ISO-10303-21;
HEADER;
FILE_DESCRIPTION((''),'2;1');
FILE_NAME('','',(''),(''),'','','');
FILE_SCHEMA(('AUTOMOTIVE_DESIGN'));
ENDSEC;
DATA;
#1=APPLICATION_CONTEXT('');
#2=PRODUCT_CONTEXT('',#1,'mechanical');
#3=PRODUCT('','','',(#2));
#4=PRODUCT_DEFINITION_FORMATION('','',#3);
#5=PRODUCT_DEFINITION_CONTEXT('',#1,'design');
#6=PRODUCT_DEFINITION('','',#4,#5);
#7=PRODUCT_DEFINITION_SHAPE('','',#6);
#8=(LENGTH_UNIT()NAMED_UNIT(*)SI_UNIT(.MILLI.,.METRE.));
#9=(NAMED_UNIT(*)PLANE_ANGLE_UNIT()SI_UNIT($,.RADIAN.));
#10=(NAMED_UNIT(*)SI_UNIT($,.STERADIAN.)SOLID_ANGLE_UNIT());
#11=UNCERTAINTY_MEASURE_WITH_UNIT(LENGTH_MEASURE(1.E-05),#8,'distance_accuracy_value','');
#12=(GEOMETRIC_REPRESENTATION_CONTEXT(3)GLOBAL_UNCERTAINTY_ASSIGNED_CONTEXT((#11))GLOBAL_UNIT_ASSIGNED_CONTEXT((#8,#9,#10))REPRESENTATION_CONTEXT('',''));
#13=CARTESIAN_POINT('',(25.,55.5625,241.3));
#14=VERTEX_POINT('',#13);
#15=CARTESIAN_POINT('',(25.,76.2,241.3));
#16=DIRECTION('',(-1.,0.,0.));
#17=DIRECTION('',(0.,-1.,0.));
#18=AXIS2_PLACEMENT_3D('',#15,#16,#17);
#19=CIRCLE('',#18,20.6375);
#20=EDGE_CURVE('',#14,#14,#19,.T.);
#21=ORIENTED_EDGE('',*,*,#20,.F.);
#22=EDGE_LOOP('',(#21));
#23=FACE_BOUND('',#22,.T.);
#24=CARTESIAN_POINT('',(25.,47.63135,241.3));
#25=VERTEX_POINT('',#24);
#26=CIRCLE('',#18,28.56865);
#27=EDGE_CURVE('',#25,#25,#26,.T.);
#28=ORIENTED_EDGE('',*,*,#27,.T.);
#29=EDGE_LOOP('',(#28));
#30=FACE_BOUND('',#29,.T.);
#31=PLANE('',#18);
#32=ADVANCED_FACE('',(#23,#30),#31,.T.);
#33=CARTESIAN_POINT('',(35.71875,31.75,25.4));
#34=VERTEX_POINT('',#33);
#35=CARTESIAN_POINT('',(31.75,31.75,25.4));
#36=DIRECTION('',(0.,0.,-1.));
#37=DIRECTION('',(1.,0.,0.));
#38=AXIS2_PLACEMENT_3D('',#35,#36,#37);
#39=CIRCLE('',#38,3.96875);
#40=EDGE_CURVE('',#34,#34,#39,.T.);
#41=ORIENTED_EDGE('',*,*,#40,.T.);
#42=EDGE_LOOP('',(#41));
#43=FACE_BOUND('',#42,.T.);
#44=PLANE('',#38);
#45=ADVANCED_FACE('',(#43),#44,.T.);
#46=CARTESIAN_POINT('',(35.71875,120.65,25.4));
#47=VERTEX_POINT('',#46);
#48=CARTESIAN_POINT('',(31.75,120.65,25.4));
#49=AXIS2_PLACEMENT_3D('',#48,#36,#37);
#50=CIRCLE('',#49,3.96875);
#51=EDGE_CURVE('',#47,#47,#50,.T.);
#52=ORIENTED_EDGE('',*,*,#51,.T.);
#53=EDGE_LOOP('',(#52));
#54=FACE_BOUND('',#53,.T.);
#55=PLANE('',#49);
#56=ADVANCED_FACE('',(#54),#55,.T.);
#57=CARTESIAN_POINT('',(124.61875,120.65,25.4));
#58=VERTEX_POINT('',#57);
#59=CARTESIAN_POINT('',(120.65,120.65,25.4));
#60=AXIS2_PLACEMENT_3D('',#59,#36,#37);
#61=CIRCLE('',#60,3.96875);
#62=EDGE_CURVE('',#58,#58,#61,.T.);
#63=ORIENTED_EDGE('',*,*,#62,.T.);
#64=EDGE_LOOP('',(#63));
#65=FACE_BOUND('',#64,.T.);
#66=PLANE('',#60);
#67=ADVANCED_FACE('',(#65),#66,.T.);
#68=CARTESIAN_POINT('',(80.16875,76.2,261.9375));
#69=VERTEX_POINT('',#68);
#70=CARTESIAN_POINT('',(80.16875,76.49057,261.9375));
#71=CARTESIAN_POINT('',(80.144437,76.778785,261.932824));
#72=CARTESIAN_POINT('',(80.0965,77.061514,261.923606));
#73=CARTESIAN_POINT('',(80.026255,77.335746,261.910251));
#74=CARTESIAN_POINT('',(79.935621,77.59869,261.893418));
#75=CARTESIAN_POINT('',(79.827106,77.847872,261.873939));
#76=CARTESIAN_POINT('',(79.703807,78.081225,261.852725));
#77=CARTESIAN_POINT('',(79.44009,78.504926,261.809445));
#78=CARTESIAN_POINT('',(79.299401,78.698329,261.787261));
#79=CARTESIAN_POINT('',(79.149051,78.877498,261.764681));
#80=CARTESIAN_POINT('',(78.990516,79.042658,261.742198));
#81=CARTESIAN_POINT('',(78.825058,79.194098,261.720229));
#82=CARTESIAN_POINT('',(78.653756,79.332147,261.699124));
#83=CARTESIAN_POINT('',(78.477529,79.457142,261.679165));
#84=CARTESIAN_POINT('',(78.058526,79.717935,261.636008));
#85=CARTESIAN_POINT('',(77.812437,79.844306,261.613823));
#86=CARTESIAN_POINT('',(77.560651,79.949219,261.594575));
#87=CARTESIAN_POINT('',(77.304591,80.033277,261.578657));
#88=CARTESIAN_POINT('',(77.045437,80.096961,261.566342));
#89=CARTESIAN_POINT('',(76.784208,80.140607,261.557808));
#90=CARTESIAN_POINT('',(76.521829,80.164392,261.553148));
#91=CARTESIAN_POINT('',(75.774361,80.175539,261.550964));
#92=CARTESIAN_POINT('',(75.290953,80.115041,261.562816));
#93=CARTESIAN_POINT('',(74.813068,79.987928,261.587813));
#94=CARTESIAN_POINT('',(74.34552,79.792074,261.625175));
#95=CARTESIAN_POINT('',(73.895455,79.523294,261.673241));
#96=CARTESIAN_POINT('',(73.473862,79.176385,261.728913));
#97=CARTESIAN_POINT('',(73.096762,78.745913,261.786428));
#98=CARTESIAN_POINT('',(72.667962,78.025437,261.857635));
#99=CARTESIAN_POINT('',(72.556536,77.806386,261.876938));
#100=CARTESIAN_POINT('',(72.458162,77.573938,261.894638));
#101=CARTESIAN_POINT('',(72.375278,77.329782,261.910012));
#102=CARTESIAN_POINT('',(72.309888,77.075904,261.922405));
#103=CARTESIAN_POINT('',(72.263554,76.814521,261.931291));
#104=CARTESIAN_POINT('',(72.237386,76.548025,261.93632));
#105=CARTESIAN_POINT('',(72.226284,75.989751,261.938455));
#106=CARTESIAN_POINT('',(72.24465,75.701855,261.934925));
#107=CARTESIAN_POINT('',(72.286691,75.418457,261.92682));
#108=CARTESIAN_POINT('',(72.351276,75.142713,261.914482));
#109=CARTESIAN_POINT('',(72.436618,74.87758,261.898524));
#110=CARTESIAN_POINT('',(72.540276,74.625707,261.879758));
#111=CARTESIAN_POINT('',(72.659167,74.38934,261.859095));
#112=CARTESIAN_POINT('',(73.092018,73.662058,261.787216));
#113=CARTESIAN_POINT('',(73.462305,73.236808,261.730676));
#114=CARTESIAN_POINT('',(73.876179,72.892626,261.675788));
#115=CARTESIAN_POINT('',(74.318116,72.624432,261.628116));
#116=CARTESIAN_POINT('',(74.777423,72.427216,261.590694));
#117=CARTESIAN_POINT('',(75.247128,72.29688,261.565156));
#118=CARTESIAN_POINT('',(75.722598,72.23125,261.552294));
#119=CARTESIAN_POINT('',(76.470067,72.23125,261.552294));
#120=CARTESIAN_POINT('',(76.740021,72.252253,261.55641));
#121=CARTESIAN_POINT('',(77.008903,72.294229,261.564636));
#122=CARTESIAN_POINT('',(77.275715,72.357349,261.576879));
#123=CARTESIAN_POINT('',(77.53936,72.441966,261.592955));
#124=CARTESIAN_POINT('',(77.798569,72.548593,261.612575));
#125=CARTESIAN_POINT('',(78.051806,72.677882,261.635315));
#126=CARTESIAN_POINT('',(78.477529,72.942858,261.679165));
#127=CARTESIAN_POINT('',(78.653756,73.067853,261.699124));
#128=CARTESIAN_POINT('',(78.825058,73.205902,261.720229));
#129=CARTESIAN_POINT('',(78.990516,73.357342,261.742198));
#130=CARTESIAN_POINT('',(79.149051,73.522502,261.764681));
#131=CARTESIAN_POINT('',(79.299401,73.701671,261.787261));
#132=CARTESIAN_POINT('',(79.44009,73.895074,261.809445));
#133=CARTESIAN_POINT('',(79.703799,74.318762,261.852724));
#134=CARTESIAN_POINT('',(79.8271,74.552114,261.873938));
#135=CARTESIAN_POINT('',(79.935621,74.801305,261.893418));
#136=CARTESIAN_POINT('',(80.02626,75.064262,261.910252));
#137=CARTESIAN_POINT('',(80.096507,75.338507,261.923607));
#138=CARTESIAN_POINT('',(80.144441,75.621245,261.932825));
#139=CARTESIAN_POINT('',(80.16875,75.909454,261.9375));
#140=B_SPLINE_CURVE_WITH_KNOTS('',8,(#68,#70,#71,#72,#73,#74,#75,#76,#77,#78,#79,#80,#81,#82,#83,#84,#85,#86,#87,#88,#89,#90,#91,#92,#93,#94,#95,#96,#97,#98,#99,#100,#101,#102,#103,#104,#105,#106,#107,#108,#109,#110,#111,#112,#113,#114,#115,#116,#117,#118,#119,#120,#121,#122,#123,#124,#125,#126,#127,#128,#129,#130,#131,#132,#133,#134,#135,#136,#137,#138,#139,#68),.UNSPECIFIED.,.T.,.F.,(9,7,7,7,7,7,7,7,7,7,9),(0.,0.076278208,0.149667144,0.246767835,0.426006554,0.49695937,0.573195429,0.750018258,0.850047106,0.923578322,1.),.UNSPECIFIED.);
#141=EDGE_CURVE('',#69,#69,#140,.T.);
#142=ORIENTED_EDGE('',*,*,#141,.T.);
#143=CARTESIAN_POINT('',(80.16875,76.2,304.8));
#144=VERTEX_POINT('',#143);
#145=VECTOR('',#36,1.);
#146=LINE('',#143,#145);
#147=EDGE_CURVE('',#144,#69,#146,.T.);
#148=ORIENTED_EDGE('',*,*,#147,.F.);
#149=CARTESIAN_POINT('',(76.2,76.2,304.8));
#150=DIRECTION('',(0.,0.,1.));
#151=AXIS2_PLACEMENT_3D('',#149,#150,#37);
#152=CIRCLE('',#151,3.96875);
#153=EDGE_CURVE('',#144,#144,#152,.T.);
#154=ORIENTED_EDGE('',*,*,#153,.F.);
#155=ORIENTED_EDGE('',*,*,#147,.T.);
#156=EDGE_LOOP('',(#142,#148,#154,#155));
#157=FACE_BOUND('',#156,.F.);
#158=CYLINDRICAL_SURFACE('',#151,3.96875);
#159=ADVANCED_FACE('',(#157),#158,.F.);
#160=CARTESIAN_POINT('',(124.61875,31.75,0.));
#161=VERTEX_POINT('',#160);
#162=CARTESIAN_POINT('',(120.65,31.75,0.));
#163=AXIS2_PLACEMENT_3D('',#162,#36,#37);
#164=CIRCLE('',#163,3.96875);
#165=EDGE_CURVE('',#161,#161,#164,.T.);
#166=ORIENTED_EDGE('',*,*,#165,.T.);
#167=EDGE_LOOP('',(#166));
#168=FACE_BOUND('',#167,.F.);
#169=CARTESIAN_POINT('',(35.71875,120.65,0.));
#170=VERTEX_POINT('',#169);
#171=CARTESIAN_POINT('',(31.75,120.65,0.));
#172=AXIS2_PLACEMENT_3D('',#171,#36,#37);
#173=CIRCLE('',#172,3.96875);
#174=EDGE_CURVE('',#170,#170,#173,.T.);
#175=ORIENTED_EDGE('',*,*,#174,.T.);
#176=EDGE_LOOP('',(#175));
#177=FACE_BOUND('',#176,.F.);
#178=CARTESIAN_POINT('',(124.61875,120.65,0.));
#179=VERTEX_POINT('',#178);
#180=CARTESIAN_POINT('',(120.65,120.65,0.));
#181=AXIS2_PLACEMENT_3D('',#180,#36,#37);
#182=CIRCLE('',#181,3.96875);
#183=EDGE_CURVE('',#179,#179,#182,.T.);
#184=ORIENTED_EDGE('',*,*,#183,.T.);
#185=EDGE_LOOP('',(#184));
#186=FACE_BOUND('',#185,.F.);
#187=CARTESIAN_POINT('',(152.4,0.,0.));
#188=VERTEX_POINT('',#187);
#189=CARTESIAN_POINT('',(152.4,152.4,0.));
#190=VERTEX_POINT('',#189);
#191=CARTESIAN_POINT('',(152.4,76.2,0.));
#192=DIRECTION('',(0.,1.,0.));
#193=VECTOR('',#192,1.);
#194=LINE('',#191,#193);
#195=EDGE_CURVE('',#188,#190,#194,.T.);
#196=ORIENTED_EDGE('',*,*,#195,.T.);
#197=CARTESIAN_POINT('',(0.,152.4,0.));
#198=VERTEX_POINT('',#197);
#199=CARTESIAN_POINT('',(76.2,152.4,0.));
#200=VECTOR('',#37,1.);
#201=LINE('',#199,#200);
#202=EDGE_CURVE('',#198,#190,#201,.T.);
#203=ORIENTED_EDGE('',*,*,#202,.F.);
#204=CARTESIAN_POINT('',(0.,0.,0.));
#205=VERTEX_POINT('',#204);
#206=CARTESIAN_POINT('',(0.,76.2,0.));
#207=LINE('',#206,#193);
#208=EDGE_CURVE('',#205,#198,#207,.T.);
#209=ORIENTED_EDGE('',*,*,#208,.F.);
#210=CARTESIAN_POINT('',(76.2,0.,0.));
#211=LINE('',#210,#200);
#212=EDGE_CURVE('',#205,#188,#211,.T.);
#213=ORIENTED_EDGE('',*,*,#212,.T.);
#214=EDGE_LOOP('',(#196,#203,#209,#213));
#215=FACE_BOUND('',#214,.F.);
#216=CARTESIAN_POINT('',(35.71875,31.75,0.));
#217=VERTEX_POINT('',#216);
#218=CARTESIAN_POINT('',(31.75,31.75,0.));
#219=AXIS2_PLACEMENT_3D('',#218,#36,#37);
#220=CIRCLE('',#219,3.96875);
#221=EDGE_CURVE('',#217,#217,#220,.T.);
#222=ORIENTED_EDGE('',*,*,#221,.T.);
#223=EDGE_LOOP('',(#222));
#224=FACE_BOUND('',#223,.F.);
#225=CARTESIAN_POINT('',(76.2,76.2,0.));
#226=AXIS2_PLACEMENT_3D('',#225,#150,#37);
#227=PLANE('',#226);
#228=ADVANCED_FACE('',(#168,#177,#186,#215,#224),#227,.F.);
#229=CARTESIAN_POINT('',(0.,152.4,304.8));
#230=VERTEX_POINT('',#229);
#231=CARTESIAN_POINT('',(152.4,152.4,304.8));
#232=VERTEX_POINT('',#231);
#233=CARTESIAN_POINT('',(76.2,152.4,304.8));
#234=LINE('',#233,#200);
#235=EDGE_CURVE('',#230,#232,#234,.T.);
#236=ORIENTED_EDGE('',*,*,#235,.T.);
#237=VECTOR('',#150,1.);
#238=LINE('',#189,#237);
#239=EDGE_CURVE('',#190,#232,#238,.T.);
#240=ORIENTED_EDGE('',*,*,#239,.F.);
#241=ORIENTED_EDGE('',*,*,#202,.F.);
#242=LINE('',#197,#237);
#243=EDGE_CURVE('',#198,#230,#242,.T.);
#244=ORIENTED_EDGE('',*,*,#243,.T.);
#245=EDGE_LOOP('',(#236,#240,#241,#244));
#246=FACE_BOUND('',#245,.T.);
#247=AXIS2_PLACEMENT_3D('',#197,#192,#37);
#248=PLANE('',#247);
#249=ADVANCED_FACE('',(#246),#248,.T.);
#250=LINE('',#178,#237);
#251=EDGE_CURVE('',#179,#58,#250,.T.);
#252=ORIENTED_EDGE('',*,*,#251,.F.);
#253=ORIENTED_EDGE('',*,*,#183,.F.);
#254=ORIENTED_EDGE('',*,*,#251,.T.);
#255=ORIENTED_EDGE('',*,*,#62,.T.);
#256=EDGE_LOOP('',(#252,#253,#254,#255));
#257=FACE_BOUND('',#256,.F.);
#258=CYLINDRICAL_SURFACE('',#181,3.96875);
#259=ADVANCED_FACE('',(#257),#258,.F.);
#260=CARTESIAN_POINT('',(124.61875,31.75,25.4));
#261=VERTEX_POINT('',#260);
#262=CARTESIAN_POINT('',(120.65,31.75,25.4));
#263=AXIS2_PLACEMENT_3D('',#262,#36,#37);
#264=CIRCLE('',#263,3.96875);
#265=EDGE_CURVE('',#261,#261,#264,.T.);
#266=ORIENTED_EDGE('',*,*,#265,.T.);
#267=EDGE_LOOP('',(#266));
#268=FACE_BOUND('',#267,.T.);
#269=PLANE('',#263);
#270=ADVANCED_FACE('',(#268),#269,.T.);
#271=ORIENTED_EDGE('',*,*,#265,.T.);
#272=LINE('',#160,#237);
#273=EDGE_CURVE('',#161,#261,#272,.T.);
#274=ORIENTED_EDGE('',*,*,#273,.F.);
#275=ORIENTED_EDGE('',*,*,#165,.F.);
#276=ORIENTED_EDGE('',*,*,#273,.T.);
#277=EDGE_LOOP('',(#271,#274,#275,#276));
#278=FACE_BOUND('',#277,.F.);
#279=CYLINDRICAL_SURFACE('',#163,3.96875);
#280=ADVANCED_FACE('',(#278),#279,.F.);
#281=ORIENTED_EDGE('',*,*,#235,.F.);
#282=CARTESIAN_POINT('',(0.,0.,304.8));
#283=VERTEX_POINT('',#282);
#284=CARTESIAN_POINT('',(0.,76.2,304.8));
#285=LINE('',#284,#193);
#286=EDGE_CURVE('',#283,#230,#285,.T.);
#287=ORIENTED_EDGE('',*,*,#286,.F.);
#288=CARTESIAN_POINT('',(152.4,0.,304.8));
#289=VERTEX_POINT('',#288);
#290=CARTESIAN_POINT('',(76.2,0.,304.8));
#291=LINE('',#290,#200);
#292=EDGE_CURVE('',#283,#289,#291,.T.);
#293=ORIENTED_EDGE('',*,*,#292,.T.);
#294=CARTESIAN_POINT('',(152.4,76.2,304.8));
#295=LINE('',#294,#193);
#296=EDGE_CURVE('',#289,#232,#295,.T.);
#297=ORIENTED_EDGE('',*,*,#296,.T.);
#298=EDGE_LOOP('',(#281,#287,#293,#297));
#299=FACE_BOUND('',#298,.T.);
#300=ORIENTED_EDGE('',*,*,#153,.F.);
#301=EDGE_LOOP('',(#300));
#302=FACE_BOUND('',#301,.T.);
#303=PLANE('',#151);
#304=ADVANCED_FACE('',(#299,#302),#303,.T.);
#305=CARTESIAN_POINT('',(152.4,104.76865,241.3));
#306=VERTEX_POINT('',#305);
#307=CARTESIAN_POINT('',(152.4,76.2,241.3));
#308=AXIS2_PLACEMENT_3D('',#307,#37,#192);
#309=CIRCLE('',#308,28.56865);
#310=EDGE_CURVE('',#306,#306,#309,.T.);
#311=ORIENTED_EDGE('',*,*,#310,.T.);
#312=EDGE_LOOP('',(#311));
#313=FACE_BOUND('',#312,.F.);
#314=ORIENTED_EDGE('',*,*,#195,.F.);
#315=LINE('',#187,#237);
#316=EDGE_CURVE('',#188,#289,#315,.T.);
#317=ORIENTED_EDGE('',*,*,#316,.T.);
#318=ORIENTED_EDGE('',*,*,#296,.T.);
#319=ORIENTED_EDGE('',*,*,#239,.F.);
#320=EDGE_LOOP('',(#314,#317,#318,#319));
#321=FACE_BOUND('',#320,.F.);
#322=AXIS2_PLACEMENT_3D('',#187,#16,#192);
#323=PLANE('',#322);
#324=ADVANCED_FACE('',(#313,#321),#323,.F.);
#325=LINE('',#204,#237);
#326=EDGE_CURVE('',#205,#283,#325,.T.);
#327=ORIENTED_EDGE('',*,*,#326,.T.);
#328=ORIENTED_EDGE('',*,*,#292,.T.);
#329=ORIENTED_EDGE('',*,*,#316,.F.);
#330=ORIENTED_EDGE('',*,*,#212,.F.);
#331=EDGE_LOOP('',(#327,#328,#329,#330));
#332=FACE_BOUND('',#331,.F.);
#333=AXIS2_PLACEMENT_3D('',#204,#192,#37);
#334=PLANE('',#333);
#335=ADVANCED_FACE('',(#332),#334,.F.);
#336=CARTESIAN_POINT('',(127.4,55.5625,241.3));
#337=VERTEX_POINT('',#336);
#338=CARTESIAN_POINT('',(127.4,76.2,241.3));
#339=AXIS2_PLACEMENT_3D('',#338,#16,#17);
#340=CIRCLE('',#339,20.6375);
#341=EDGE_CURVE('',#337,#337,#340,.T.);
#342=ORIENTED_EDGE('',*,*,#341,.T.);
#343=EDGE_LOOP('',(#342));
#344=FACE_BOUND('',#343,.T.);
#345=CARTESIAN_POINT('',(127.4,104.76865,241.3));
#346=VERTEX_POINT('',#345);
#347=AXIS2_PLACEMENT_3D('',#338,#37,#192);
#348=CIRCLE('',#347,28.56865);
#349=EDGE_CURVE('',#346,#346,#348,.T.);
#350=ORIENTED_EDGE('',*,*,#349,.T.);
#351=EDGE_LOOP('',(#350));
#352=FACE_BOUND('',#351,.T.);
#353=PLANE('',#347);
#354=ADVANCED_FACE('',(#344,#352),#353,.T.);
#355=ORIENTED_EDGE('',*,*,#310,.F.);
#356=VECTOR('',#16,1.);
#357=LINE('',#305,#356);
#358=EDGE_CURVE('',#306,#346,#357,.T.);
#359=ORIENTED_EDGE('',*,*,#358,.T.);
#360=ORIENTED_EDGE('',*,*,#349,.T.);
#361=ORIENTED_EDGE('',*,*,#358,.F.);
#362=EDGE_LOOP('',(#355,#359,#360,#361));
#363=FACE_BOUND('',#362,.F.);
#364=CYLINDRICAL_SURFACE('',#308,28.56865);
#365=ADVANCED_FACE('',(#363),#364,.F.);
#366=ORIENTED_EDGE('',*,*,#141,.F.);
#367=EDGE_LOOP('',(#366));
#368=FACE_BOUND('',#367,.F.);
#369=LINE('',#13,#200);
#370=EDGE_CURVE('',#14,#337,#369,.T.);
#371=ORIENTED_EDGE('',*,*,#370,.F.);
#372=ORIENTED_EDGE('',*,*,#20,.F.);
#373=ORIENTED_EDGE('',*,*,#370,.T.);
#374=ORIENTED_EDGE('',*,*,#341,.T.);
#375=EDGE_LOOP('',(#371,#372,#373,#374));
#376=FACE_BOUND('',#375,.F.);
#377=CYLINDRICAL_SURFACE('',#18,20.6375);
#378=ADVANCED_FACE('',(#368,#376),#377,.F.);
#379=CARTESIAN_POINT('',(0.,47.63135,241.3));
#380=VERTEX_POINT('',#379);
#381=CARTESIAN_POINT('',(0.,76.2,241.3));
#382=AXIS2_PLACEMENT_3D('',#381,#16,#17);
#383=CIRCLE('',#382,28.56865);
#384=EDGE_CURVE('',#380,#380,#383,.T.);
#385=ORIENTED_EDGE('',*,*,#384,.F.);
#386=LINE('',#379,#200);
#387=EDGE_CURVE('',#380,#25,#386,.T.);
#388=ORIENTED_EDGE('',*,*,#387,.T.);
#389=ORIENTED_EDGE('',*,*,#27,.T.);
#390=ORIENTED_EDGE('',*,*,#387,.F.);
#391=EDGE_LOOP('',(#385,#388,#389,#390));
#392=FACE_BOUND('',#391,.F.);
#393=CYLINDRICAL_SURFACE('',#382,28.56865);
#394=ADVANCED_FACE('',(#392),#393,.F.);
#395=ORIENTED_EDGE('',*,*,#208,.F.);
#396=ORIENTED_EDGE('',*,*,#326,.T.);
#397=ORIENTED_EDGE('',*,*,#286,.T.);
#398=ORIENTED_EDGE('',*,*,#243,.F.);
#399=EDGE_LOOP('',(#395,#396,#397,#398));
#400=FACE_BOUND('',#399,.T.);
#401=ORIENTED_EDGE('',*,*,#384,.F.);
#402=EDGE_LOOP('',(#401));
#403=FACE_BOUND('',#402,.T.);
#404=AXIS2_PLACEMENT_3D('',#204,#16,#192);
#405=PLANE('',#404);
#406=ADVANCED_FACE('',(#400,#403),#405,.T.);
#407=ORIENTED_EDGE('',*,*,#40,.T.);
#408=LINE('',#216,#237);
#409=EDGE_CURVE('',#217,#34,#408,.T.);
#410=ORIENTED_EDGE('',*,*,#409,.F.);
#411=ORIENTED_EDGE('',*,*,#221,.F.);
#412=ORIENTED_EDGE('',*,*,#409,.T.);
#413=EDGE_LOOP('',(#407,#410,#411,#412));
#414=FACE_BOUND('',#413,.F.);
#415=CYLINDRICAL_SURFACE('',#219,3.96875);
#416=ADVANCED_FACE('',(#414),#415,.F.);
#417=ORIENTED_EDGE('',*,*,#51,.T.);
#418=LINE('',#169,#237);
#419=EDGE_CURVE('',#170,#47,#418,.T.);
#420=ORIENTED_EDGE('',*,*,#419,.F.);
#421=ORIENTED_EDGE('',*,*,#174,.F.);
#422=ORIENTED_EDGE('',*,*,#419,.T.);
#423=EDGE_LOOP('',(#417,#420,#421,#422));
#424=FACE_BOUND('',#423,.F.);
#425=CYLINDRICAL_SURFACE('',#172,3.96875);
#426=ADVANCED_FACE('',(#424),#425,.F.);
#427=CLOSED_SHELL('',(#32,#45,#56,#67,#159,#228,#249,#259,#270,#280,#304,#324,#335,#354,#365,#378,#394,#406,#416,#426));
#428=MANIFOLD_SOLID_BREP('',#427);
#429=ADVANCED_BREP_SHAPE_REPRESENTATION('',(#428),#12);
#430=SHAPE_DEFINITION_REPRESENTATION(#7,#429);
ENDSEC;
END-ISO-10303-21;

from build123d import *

# Parameters (mm, degrees)
F0_W      = 152.4
F0_H      = 152.4
F1_DEPTH  = 304.8
F2_R      = 28.56865
F3_DEPTH  = 25
F4_R      = 28.56865
F5_DEPTH  = 25
F6_R      = 20.6375
F7_DEPTH  = 264.16
F8_R      = 3.96875
F9_DEPTH  = 25.4
F10_R     = 3.96875
F11_DEPTH = 48.26


with BuildPart() as f1:
    # F0 (on Top) → F1 (new body)
    with BuildSketch(Plane.XY):
        with Locations((76.2, 76.2)):
            Rectangle(F0_W, F0_H)
    extrude(amount=F1_DEPTH)

    # F2 (on face) → F3 (cut)
    with BuildSketch(Plane.YZ.offset(152.4)):
        with Locations((76.2, 241.3)):
            Circle(F2_R)
    extrude(amount=-F3_DEPTH, mode=Mode.SUBTRACT)

    # F4 (on face) → F5 (cut)
    with BuildSketch(Plane(origin=(0, 0, 0), x_dir=(0, -1, 0), z_dir=(-1, 0, 0))):
        with Locations((-76.2, 241.3)):
            Circle(F4_R)
    extrude(amount=-F5_DEPTH, mode=Mode.SUBTRACT)

    # F6 (on face) → F7 (cut)
    with BuildSketch(Plane(origin=(25, 0, 0), x_dir=(0, -1, 0), z_dir=(-1, 0, 0))):
        with Locations((-76.2, 241.3)):
            Circle(F6_R)
    extrude(amount=-F7_DEPTH, mode=Mode.SUBTRACT)

    # F8 (on face) → F9 (cut)
    with BuildSketch(Plane(origin=(0, 0, 0), x_dir=(1, 0, 0), z_dir=(0, 0, -1))):
        with Locations((31.75, -31.75)):
            Circle(F8_R)
        with Locations((120.65, -31.75)):
            Circle(F8_R)
        with Locations((120.65, -120.65)):
            Circle(F8_R)
        with Locations((31.75, -120.65)):
            Circle(F8_R)
    extrude(amount=-F9_DEPTH, mode=Mode.SUBTRACT)

    # F10 (on face) → F11 (cut)
    with BuildSketch(Plane.XY.offset(304.8)):
        with Locations((76.2, 76.2)):
            Circle(F10_R)
    extrude(amount=-F11_DEPTH, mode=Mode.SUBTRACT)


solid = f1.part
